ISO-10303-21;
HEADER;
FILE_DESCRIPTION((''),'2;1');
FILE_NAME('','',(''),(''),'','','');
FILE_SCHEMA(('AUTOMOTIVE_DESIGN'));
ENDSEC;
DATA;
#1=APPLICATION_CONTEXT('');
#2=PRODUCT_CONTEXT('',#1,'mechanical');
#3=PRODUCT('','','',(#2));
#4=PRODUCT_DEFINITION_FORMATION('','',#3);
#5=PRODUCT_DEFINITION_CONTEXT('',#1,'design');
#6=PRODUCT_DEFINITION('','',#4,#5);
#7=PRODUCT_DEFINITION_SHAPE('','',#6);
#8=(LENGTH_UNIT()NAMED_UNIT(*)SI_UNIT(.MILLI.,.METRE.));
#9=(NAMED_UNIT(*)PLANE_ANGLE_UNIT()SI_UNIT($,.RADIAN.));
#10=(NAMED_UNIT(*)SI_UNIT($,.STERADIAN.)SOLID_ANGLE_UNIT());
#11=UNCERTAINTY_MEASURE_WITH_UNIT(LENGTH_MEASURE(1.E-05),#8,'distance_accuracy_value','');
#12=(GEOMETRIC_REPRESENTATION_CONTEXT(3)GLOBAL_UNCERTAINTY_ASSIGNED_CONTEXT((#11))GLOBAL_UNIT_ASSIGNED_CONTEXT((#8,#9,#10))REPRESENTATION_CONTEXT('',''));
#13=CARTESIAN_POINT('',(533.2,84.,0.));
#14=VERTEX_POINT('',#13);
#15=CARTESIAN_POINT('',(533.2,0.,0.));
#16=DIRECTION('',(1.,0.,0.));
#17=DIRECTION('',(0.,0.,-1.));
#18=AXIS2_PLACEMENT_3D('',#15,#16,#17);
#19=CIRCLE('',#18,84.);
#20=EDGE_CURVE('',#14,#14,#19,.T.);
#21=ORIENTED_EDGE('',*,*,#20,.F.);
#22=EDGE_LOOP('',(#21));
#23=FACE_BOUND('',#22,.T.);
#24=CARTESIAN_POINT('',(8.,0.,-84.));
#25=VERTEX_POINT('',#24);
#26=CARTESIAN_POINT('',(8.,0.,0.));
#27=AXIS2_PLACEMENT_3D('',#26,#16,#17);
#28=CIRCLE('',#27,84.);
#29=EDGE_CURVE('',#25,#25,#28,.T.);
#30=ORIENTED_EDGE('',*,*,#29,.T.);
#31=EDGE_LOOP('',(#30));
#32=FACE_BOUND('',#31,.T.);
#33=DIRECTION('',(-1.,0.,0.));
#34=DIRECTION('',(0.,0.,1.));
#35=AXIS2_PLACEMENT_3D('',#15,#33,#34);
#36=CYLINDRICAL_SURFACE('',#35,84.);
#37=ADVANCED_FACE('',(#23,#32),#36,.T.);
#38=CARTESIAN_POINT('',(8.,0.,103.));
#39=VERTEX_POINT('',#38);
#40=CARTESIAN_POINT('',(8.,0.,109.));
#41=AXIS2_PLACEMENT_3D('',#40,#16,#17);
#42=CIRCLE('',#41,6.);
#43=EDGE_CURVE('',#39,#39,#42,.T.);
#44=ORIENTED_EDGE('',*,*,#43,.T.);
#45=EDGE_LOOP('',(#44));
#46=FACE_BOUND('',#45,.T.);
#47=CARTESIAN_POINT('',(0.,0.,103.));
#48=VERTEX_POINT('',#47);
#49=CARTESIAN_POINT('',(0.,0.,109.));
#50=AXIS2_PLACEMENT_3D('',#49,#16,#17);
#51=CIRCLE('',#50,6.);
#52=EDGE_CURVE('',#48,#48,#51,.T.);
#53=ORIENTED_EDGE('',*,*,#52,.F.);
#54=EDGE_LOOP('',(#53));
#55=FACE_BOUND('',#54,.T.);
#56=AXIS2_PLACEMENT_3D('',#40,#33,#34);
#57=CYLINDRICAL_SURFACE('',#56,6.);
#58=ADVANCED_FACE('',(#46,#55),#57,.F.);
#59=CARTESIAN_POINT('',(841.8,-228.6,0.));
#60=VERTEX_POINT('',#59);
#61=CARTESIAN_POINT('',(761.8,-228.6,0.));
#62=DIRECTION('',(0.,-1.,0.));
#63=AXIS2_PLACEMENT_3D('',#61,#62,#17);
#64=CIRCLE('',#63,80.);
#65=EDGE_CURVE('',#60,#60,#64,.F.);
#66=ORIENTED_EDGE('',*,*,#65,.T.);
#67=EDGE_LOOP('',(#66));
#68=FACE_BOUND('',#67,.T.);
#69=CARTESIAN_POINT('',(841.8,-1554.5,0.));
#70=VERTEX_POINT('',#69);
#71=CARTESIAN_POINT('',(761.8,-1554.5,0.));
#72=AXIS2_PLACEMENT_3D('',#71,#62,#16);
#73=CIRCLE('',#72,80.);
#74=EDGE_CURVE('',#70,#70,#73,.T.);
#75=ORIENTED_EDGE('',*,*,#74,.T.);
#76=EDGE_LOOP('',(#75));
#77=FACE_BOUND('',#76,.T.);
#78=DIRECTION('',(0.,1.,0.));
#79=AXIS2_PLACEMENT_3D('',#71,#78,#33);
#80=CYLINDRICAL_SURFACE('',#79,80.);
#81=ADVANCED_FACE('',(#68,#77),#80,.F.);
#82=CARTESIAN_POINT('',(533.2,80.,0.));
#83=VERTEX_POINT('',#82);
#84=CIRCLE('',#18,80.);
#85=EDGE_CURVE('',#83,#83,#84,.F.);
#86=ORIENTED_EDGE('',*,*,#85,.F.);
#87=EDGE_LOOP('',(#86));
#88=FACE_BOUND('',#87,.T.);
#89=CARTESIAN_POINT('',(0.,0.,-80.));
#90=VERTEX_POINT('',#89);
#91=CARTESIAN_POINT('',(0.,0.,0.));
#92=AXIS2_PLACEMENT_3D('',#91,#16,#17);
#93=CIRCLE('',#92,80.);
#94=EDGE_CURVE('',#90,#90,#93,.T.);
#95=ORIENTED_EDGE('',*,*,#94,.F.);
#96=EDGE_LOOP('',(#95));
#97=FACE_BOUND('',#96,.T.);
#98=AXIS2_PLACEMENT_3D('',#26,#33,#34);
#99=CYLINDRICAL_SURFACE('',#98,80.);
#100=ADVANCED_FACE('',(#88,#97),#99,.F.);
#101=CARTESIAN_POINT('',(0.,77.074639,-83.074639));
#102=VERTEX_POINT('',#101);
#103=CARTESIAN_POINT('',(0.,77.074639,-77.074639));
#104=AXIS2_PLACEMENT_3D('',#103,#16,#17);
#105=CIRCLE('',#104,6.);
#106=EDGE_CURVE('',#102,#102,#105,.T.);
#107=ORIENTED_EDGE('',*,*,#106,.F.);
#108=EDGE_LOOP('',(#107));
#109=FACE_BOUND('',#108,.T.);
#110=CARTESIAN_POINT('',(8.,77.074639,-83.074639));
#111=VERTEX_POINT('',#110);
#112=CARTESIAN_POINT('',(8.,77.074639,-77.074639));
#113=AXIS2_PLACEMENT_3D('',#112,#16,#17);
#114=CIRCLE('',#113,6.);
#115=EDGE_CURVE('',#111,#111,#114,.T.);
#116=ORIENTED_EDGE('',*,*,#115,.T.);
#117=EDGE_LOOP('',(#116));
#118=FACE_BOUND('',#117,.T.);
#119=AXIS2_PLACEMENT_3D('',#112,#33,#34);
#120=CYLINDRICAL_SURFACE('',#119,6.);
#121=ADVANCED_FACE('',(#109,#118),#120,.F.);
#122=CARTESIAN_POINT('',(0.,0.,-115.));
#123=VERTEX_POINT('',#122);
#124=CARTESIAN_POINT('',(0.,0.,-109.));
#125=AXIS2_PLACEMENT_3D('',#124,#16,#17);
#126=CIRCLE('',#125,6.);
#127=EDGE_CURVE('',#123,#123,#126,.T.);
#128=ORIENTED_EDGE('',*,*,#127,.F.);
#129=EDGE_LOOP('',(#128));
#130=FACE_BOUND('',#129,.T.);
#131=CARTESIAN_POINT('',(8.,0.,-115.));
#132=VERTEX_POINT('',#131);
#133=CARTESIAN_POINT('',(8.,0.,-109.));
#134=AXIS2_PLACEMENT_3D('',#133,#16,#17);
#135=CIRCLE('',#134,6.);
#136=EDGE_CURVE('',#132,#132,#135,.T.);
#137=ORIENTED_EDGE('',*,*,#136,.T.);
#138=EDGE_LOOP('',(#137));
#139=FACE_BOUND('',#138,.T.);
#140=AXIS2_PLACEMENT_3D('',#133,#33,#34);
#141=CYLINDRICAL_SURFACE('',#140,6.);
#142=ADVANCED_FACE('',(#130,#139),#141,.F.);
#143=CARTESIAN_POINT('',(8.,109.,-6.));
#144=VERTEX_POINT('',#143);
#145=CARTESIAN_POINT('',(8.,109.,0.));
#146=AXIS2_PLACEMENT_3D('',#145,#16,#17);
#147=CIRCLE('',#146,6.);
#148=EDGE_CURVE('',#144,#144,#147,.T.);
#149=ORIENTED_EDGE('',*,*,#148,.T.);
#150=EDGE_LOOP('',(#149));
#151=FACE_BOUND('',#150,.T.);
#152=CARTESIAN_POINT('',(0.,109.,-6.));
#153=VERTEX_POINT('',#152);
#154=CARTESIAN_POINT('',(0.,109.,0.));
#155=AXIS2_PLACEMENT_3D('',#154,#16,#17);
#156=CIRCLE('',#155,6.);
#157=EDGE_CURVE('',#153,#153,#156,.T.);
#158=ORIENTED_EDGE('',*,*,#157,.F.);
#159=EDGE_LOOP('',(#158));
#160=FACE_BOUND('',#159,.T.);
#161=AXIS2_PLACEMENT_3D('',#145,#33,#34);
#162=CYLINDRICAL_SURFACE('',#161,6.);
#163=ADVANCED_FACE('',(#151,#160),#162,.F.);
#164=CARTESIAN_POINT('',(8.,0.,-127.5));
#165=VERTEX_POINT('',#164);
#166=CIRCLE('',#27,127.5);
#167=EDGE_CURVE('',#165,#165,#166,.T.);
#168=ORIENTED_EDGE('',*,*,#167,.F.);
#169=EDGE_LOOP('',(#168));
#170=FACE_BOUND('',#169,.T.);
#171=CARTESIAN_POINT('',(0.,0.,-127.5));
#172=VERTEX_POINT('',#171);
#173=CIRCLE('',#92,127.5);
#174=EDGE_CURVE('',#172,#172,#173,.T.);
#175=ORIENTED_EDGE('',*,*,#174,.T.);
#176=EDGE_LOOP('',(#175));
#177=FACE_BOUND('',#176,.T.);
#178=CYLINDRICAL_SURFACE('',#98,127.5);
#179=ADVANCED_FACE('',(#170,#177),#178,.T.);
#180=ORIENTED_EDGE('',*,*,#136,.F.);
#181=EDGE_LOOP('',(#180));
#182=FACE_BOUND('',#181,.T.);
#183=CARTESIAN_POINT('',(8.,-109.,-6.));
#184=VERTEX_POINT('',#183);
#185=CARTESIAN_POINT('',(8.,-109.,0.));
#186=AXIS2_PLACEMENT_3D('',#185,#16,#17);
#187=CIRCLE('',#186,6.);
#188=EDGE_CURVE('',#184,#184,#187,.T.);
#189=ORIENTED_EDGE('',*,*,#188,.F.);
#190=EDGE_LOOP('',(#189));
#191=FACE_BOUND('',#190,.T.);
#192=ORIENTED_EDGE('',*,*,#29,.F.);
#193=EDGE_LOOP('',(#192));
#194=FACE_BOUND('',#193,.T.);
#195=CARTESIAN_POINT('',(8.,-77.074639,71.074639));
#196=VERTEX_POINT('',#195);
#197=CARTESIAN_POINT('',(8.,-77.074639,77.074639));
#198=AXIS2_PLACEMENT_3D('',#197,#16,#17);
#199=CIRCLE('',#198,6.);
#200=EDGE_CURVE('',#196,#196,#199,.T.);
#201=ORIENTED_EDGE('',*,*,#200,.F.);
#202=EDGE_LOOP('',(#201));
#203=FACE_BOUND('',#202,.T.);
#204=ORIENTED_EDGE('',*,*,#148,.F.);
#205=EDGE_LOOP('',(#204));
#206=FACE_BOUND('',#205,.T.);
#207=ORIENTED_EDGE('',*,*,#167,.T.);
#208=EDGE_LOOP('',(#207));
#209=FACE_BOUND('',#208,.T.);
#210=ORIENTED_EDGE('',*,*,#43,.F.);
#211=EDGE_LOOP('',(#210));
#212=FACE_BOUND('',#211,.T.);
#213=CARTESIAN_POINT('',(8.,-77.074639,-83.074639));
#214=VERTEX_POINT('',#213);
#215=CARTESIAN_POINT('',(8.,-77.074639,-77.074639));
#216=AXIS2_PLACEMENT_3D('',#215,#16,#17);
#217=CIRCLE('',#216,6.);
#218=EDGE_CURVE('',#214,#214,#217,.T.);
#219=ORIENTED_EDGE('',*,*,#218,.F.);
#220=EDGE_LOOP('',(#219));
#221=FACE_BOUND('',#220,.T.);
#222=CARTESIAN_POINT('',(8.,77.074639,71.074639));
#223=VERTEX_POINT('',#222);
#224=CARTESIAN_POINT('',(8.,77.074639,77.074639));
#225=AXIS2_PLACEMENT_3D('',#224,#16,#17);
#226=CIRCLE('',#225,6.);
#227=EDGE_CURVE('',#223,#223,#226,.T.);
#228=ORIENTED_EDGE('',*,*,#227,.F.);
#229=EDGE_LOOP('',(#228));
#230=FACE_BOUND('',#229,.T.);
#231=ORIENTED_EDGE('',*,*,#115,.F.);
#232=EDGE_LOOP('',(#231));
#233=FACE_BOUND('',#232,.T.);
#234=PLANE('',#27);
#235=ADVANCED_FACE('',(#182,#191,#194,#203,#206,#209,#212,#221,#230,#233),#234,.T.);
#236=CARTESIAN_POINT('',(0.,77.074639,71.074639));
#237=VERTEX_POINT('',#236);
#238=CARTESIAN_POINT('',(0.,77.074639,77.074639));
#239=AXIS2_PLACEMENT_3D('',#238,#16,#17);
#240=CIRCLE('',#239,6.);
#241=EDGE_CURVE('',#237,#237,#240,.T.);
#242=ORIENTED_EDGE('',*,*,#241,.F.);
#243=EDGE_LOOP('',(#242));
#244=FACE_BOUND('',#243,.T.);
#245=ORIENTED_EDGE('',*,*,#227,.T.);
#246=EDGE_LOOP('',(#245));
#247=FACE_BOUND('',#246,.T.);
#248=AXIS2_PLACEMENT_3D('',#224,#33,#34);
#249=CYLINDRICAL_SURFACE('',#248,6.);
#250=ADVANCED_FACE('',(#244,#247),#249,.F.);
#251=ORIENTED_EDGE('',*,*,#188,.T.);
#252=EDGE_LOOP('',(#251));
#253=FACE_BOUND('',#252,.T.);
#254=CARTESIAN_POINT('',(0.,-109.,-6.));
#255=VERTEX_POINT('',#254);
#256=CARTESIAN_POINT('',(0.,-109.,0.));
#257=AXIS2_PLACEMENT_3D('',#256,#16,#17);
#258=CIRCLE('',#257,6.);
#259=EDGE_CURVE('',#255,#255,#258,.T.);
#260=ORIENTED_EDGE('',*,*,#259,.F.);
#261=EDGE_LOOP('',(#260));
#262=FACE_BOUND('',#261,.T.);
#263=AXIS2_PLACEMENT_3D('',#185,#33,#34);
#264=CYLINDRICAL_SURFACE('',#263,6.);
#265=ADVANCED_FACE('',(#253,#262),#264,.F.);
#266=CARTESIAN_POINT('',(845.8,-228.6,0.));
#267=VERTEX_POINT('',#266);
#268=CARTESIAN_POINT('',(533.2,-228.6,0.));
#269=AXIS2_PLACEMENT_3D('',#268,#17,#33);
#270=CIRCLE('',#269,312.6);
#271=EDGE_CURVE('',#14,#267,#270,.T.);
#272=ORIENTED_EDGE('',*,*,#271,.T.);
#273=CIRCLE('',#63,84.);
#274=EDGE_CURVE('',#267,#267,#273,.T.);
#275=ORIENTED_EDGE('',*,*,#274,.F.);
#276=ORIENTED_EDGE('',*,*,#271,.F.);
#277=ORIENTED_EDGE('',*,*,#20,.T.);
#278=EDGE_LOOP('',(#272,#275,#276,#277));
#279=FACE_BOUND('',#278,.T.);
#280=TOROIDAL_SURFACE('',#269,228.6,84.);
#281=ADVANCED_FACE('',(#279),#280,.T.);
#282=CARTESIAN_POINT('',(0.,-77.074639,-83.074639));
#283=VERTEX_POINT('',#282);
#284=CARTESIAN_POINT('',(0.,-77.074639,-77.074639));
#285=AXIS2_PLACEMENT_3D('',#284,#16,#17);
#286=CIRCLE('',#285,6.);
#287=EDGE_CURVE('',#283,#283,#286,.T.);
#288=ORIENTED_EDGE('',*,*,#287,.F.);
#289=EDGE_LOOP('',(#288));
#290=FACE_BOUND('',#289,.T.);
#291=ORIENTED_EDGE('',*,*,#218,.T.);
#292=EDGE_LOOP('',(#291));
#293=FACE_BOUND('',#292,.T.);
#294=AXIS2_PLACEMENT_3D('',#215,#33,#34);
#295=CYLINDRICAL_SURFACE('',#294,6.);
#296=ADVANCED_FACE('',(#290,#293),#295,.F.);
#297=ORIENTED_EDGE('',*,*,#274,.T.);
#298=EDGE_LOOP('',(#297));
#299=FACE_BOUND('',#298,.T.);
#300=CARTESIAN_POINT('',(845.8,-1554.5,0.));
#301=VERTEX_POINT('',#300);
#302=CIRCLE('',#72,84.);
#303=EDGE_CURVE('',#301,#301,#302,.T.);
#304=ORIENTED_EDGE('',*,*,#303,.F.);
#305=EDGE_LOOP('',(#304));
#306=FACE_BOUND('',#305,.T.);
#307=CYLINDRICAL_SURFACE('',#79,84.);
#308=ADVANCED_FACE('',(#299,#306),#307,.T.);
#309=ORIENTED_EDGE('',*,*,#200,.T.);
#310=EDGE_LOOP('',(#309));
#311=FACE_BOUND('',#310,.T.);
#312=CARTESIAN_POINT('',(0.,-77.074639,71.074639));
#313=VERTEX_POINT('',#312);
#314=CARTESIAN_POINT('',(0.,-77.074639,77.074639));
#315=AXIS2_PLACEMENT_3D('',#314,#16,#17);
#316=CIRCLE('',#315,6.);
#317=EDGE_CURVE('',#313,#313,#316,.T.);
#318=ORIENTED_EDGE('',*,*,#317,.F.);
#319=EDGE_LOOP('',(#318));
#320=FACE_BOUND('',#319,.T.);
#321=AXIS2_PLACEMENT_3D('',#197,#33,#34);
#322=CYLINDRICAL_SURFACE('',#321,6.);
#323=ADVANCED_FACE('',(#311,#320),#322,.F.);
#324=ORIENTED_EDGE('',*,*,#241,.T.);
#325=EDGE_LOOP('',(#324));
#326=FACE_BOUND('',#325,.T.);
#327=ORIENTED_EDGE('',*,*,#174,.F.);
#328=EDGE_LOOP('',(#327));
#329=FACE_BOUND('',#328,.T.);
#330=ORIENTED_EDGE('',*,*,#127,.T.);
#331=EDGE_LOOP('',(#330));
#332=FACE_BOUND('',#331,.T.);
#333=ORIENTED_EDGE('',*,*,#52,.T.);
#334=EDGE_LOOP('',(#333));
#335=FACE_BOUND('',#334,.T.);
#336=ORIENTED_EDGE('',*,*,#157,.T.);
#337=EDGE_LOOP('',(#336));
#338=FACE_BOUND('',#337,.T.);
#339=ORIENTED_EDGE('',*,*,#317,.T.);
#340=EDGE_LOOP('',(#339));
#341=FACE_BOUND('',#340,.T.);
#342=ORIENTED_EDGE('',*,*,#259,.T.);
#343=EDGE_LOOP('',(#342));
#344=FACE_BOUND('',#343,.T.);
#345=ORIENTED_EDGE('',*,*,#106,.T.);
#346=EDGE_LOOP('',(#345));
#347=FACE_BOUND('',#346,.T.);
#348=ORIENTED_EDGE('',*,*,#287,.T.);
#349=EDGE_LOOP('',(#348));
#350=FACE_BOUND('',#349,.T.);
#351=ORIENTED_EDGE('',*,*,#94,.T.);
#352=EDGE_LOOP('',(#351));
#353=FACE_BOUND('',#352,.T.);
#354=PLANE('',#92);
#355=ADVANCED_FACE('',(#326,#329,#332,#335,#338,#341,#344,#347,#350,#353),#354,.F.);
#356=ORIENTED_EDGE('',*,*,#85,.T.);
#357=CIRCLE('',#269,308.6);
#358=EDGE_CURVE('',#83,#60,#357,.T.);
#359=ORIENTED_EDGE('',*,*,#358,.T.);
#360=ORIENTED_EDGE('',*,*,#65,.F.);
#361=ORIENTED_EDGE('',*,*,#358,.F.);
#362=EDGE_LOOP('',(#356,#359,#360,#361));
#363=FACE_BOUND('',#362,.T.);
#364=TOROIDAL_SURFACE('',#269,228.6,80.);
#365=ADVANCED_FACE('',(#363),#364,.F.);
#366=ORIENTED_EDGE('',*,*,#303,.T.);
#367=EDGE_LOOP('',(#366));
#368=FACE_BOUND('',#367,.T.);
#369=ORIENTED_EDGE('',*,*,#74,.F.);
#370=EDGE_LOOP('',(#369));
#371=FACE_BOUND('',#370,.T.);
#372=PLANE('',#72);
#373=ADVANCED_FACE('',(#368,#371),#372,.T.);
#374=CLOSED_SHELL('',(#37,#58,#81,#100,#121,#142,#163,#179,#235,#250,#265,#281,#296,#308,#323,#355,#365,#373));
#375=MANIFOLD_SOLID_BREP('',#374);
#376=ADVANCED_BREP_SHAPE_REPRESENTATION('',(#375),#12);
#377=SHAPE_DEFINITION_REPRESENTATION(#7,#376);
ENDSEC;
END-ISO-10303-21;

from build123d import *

# Parameters (mm, degrees)
SKETCH1_R           = 127.5
SKETCH1_R_2         = 80
SKETCH1_R_3         = 6
BOSS_EXTRUDE1_DEPTH = 8
SKETCH2_R           = 84
SKETCH2_R_2         = 80
BOSS_EXTRUDE2_DEPTH = 525.2
SKETCH3_R           = 84
SKETCH3_R_2         = 80
SKETCH5_R           = 84
SKETCH5_R_2         = 80
BOSS_EXTRUDE3_DEPTH = 1325.9


with BuildPart() as part:
    # Sketch1 → Boss-Extrude1 (new body)
    with BuildSketch(Plane(origin=(0, 0, 0), x_dir=(0, 0, -1), z_dir=(1, 0, 0))):
        Circle(SKETCH1_R)
        Circle(SKETCH1_R_2, mode=Mode.SUBTRACT)
        with Locations((0, 109)):
            Circle(SKETCH1_R_3, mode=Mode.SUBTRACT)
        with Locations((77.074639149, 77.074639149)):
            Circle(SKETCH1_R_3, mode=Mode.SUBTRACT)
        with Locations((109, 0)):
            Circle(SKETCH1_R_3, mode=Mode.SUBTRACT)
        with Locations((77.074639149, -77.074639149)):
            Circle(SKETCH1_R_3, mode=Mode.SUBTRACT)
        with Locations((0, -109)):
            Circle(SKETCH1_R_3, mode=Mode.SUBTRACT)
        with Locations((-77.074639149, -77.074639149)):
            Circle(SKETCH1_R_3, mode=Mode.SUBTRACT)
        with Locations((-109, 0)):
            Circle(SKETCH1_R_3, mode=Mode.SUBTRACT)
        with Locations((-77.074639149, 77.074639149)):
            Circle(SKETCH1_R_3, mode=Mode.SUBTRACT)
    extrude(amount=BOSS_EXTRUDE1_DEPTH)

    # Sketch2 → Boss-Extrude2 (add)
    with BuildSketch(Plane(origin=(8, 0, 0), x_dir=(0, 0, -1), z_dir=(1, 0, 0))):
        Circle(SKETCH2_R)
        Circle(SKETCH2_R_2, mode=Mode.SUBTRACT)
    extrude(amount=BOSS_EXTRUDE2_DEPTH)

    # Sweep1: sweep along a path in Sketch4
    with BuildLine(Plane.XY) as sweep1_path:
        ThreePointArc((533.2, 0), (694.844610179, -66.955389821), (761.8, -228.6))
    # Sketch3 → Sweep1 (sweep)
    with BuildSketch(Plane(origin=(533.2, 0, 0), x_dir=(0, 0, -1), z_dir=(1, 0, 0))):
        Circle(SKETCH3_R)
        Circle(SKETCH3_R_2, mode=Mode.SUBTRACT)
    sweep(path=sweep1_path.line)

    # Sketch5 → Boss-Extrude3 (add)
    with BuildSketch(Plane.XZ.offset(228.6)):
        with Locations((761.8, 0)):
            Circle(SKETCH5_R)
        with Locations((761.8, 0)):
            Circle(SKETCH5_R_2, mode=Mode.SUBTRACT)
    extrude(amount=BOSS_EXTRUDE3_DEPTH)


solid = part.part
